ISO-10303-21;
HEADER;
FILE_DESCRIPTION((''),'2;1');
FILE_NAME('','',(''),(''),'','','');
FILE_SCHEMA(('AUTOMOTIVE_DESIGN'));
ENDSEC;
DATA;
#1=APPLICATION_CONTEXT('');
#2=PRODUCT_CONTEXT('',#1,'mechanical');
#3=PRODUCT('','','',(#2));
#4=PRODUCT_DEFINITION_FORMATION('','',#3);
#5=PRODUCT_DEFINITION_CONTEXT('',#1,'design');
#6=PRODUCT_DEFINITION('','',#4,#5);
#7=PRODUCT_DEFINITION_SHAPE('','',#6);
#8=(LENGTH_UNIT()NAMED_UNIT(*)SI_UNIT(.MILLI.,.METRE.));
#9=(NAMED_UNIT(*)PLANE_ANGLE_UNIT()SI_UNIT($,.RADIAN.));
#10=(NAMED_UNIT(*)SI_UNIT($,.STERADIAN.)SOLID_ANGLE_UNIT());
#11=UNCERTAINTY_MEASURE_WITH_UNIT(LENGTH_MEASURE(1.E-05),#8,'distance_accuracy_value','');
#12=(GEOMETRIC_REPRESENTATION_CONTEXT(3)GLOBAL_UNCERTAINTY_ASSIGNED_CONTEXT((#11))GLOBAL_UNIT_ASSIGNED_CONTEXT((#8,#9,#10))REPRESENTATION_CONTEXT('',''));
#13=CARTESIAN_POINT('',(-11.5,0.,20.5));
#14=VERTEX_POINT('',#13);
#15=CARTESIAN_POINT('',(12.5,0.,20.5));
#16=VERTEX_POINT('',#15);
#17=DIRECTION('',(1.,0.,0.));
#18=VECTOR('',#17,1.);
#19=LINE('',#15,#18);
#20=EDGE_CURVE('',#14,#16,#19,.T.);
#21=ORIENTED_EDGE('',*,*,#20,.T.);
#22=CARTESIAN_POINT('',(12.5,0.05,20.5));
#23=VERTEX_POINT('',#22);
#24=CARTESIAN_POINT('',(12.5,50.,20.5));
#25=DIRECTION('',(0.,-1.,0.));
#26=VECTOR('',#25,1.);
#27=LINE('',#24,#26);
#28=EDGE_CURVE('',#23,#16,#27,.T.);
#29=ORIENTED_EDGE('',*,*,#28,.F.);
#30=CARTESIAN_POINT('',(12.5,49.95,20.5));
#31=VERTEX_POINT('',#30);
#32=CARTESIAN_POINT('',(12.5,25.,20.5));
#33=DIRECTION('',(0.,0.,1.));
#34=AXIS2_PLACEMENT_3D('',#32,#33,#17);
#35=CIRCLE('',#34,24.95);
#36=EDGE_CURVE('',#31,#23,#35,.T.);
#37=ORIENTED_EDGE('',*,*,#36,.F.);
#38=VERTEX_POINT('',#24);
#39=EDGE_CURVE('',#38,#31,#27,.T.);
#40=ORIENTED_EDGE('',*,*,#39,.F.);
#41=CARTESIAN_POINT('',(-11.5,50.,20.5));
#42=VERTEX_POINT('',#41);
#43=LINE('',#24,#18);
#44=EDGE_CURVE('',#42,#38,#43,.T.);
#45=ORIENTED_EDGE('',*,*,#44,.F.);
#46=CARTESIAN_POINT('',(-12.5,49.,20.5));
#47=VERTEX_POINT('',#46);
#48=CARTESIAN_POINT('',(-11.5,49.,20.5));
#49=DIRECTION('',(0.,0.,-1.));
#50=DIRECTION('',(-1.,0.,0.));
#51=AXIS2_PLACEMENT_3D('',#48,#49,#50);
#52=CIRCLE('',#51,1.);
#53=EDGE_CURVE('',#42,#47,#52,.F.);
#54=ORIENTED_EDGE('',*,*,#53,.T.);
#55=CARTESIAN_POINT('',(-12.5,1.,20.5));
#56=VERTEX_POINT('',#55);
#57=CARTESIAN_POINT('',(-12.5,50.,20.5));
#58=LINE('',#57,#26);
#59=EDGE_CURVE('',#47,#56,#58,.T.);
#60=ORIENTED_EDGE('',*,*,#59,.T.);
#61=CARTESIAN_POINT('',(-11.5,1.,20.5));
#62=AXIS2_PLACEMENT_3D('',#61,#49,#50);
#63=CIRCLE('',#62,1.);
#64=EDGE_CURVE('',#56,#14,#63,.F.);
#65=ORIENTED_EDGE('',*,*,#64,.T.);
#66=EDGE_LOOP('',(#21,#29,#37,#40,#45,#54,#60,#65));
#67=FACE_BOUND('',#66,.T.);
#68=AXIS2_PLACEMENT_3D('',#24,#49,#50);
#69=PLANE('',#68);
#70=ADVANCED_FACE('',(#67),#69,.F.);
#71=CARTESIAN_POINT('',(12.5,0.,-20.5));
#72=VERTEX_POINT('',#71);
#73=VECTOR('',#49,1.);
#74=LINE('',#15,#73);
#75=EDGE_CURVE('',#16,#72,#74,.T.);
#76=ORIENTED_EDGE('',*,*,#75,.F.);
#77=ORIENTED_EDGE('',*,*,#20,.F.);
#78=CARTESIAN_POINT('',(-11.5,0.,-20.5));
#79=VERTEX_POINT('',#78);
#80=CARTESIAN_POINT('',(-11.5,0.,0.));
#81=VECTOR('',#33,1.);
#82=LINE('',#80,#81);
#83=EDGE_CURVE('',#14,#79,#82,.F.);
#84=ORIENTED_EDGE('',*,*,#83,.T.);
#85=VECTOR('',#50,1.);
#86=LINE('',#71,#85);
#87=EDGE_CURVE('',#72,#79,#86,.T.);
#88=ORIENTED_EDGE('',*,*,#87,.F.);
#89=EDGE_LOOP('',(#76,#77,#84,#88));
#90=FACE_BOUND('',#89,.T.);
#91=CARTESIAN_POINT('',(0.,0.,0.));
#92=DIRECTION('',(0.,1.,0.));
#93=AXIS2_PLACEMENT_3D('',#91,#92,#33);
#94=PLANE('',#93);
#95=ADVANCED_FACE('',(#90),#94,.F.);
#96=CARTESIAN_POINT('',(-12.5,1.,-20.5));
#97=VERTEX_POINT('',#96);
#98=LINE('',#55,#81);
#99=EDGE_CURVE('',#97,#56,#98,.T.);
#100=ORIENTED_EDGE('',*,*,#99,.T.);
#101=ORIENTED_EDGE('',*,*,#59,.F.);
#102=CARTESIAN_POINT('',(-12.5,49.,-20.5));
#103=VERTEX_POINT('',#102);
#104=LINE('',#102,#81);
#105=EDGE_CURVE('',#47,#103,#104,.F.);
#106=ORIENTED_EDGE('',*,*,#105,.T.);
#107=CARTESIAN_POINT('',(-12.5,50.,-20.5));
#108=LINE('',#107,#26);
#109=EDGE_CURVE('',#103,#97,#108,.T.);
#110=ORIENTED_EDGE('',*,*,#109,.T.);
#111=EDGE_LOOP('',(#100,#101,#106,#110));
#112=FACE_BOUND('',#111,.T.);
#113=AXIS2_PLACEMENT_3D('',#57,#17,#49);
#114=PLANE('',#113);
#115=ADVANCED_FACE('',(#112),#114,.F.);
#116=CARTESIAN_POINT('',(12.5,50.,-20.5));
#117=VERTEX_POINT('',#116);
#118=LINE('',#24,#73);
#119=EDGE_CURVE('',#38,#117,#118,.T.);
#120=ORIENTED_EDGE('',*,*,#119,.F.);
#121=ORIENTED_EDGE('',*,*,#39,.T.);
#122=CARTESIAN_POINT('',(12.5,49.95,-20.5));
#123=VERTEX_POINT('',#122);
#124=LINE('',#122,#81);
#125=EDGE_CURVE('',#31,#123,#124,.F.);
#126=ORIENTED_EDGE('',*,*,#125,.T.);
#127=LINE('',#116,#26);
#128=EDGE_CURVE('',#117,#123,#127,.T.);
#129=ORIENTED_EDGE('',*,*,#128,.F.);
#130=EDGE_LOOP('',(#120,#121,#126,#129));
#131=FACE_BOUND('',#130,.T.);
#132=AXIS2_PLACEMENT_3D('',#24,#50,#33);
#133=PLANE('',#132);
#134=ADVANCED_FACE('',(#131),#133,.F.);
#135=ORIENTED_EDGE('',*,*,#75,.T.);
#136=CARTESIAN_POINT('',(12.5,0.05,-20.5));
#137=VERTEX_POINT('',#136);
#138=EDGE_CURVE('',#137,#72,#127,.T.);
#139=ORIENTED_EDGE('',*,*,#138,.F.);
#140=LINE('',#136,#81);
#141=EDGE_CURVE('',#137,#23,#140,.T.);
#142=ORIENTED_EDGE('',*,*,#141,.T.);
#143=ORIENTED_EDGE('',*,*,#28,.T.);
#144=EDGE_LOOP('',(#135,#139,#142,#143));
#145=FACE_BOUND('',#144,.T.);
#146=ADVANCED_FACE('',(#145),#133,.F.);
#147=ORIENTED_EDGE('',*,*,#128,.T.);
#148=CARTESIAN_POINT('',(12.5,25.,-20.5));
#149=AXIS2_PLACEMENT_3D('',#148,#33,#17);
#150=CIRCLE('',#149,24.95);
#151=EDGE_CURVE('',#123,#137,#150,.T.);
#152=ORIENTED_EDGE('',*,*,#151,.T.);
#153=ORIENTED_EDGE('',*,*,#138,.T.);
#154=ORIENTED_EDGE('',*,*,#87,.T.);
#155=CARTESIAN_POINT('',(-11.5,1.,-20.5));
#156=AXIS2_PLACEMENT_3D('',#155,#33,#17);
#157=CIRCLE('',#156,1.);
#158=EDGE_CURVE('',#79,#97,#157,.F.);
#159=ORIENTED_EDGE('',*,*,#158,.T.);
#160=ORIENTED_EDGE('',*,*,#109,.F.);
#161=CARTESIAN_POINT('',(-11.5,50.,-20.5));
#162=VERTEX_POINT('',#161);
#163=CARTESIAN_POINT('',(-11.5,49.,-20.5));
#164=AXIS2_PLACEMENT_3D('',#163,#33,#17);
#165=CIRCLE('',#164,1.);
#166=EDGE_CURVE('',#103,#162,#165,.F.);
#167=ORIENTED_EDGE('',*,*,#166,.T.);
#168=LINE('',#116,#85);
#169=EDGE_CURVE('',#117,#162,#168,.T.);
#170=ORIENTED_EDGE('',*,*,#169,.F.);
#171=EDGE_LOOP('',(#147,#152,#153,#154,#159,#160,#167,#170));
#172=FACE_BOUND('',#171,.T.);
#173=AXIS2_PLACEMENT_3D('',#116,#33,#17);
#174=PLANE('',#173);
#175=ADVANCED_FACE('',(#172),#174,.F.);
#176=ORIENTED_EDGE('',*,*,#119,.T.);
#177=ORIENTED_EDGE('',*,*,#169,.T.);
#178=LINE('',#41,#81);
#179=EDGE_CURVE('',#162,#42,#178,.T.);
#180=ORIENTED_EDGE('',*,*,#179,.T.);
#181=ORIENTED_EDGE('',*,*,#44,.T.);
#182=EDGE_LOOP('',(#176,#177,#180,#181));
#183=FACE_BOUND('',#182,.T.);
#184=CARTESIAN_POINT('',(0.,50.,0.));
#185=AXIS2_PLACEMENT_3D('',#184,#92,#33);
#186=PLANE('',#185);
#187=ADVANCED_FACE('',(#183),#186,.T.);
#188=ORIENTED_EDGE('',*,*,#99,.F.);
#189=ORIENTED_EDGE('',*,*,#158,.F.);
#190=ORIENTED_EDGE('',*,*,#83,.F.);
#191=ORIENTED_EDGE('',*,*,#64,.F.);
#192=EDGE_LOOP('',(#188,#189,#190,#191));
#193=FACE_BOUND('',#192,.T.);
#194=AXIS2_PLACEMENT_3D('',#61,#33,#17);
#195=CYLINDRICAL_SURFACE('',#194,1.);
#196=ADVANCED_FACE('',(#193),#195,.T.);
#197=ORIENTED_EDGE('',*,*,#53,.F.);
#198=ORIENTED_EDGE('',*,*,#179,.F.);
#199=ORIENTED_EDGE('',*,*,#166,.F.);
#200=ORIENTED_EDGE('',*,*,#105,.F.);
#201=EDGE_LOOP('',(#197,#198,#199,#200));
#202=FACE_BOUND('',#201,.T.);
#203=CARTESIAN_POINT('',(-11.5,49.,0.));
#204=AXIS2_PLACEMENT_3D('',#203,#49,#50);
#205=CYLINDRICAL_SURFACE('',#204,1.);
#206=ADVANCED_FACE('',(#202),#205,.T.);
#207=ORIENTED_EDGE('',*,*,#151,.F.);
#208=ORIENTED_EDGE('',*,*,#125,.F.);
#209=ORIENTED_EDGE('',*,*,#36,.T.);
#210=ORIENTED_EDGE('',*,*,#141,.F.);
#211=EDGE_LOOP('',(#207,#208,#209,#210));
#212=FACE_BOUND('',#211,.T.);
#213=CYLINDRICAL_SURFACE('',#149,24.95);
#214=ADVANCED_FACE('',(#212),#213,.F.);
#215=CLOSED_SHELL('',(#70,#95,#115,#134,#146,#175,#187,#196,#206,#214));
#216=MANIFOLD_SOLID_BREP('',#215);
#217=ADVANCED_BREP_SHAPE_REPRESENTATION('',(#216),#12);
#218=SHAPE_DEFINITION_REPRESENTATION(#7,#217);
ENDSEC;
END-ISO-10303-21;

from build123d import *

# Parameters (mm, degrees)
SKETCH_1_W          = 25
SKETCH_1_H          = 41
EXTRUDE_1_DEPTH     = 50
FILLET_1_R          = 1
SKETCH_2_R          = 24.95
CUT_EXTRUDE_3_DEPTH = 41
FILLET_2_R          = 1


with BuildPart() as part:
    # Эскиз1 → Бобышка-Вытянуть1 (new body)
    with BuildSketch(Plane(origin=(0, 0, 0), x_dir=(1, 0, 0), z_dir=(0, 1, 0))):
        Rectangle(SKETCH_1_W, SKETCH_1_H)
    extrude(amount=EXTRUDE_1_DEPTH)

    # Скругление1
    fillet_1_edges = [part.edges().sort_by_distance(p)[0] for p in [
        (-12.5, 0, 0),
    ]]
    fillet(fillet_1_edges, radius=FILLET_1_R)

    # Эскиз2 → Вырез-Вытянуть3 (cut)
    with BuildSketch(Plane.XY.offset(20.5)):
        with Locations((12.5, 25)):
            Circle(SKETCH_2_R)
    extrude(amount=-CUT_EXTRUDE_3_DEPTH, mode=Mode.SUBTRACT)

    # Скругление2
    fillet_2_edges = [part.edges().sort_by_distance(p)[0] for p in [
        (-12.5, 50, 0),
    ]]
    fillet(fillet_2_edges, radius=FILLET_2_R)


solid = part.part
